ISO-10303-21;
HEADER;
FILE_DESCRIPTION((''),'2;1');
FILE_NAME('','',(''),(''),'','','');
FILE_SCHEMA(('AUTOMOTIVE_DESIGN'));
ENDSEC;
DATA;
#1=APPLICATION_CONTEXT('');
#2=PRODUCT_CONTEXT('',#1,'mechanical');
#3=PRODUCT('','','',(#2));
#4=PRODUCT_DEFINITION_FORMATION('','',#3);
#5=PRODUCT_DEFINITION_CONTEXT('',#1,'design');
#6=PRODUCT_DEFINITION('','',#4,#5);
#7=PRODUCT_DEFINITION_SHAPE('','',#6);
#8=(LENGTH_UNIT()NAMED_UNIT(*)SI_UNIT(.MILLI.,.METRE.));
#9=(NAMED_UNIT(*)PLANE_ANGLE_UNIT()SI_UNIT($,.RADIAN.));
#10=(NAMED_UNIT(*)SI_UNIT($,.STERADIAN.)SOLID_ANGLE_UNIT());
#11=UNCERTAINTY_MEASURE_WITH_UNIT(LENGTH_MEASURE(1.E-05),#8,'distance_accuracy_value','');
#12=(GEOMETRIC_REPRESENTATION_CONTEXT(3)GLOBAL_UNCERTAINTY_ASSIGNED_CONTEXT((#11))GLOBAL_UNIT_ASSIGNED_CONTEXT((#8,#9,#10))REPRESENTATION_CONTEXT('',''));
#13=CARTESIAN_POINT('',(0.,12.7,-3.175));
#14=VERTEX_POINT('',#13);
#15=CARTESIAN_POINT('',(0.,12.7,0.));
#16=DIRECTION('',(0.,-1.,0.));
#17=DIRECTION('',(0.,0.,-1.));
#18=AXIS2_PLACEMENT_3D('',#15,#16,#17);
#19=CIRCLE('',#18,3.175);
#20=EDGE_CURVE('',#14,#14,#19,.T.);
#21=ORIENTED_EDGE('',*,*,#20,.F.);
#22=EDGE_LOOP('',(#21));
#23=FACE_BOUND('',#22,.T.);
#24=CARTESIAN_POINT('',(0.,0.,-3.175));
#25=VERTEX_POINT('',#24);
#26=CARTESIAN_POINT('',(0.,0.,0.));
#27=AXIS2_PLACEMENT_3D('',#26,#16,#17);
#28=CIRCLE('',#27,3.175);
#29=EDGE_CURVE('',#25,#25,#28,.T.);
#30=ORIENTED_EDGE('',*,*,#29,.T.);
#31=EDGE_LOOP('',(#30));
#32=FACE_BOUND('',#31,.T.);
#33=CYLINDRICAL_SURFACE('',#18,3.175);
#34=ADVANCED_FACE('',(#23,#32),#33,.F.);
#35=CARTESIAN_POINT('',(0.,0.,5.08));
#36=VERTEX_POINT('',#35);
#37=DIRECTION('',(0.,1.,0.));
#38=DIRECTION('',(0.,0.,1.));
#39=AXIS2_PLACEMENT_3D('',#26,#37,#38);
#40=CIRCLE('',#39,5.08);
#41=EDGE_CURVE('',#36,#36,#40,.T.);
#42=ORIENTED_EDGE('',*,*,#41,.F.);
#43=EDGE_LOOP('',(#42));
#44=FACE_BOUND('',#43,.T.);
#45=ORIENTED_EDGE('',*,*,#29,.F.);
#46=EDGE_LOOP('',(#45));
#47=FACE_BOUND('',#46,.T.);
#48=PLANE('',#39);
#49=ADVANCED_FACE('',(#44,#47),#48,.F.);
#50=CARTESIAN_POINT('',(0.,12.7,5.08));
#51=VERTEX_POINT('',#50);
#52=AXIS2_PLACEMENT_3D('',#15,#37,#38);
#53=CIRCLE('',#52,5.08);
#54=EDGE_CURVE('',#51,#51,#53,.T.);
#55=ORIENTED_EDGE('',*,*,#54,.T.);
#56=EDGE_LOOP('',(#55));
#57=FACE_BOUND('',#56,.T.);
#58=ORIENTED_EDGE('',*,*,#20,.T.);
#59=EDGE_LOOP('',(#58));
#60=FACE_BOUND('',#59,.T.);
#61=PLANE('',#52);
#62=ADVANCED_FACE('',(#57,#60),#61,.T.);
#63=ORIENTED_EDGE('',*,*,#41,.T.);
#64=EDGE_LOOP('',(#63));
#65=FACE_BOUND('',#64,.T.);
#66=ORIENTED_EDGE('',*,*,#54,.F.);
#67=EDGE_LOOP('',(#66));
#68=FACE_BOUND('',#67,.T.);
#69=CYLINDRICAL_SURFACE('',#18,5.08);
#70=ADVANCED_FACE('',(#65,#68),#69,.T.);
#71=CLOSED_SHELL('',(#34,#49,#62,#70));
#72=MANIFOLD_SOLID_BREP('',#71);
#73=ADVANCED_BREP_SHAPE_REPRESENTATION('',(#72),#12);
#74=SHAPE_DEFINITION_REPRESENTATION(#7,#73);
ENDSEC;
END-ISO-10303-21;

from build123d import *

# Parameters (mm, degrees)
SKETCH1_R           = 5.08
BOSS_EXTRUDE1_DEPTH = 12.7
SKETCH2_R           = 3.175
CUT_EXTRUDE1_DEPTH  = 13.7


with BuildPart() as part:
    # Sketch1 → Boss-Extrude1 (new body)
    with BuildSketch(Plane(origin=(0, 0, 0), x_dir=(1, 0, 0), z_dir=(0, 1, 0))):
        Circle(SKETCH1_R)
    extrude(amount=BOSS_EXTRUDE1_DEPTH)

    # Sketch2 → Cut-Extrude1 (cut, through all)
    with BuildSketch(Plane.XZ):
        Circle(SKETCH2_R)
    extrude(amount=-CUT_EXTRUDE1_DEPTH, mode=Mode.SUBTRACT)


solid = part.part
